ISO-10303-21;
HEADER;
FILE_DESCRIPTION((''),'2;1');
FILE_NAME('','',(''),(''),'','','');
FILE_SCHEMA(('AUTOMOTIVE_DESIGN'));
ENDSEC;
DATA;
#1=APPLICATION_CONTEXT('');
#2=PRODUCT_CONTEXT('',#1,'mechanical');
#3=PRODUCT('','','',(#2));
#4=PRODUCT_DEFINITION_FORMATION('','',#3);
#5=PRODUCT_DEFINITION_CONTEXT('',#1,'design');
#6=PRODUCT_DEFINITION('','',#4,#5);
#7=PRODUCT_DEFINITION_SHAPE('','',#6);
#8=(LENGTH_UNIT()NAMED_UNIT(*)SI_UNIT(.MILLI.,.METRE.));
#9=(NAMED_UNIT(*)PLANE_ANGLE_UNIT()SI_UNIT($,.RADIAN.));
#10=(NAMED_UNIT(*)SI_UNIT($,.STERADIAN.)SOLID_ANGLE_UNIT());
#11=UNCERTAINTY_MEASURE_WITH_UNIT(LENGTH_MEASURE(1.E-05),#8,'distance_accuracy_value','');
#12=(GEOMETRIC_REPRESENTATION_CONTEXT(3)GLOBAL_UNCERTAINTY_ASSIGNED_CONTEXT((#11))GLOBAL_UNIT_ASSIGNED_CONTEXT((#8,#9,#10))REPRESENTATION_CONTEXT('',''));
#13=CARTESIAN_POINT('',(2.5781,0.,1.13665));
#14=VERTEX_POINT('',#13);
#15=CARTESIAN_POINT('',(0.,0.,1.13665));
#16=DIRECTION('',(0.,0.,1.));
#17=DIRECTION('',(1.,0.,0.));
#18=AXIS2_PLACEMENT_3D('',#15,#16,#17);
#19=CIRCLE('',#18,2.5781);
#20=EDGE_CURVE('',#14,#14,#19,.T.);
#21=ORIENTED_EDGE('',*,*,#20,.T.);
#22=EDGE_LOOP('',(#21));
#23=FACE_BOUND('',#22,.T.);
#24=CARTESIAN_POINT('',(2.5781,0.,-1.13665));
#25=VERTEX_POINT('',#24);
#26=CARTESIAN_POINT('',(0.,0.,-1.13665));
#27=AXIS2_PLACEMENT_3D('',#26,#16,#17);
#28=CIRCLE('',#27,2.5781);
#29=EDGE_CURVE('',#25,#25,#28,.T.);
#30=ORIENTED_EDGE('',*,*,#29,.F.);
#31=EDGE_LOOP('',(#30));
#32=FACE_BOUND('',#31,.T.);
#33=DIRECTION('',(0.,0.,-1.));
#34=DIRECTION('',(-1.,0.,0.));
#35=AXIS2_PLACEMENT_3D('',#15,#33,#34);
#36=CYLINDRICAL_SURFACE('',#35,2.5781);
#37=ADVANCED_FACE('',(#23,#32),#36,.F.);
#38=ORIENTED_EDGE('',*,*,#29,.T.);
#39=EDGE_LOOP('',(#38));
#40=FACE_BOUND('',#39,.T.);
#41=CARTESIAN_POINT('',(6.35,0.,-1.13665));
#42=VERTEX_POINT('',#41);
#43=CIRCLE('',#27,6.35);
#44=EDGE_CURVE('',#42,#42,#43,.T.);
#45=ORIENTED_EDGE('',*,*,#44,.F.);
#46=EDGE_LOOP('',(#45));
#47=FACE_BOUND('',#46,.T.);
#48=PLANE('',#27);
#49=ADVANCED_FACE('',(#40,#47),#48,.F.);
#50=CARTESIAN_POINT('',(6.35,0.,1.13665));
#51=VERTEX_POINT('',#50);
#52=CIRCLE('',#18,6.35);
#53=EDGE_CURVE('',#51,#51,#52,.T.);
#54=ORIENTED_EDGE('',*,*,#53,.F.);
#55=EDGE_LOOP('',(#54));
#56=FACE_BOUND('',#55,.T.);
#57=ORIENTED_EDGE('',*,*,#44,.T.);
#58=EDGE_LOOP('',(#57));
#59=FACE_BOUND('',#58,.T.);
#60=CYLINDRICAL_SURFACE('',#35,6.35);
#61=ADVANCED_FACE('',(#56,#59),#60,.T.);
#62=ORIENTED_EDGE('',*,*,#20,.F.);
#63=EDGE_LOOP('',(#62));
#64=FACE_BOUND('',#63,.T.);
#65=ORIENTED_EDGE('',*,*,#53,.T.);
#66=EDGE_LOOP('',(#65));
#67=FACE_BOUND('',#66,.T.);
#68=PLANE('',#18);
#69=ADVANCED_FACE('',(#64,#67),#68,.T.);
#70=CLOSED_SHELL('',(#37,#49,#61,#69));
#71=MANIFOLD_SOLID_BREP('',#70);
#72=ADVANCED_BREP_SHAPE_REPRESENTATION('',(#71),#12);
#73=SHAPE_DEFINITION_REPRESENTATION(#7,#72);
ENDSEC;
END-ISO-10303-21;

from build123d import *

# Parameters (mm, degrees)
SKETCH2_R           = 6.35
SKETCH2_R_2         = 2.5781
BOSS_EXTRUDE1_DEPTH = 1.13665


with BuildPart() as part:
    # Sketch2 → Boss-Extrude1 (new, symmetric)
    with BuildSketch(Plane.XY):
        Circle(SKETCH2_R)
        Circle(SKETCH2_R_2, mode=Mode.SUBTRACT)
    extrude(amount=BOSS_EXTRUDE1_DEPTH, both=True)


solid = part.part
